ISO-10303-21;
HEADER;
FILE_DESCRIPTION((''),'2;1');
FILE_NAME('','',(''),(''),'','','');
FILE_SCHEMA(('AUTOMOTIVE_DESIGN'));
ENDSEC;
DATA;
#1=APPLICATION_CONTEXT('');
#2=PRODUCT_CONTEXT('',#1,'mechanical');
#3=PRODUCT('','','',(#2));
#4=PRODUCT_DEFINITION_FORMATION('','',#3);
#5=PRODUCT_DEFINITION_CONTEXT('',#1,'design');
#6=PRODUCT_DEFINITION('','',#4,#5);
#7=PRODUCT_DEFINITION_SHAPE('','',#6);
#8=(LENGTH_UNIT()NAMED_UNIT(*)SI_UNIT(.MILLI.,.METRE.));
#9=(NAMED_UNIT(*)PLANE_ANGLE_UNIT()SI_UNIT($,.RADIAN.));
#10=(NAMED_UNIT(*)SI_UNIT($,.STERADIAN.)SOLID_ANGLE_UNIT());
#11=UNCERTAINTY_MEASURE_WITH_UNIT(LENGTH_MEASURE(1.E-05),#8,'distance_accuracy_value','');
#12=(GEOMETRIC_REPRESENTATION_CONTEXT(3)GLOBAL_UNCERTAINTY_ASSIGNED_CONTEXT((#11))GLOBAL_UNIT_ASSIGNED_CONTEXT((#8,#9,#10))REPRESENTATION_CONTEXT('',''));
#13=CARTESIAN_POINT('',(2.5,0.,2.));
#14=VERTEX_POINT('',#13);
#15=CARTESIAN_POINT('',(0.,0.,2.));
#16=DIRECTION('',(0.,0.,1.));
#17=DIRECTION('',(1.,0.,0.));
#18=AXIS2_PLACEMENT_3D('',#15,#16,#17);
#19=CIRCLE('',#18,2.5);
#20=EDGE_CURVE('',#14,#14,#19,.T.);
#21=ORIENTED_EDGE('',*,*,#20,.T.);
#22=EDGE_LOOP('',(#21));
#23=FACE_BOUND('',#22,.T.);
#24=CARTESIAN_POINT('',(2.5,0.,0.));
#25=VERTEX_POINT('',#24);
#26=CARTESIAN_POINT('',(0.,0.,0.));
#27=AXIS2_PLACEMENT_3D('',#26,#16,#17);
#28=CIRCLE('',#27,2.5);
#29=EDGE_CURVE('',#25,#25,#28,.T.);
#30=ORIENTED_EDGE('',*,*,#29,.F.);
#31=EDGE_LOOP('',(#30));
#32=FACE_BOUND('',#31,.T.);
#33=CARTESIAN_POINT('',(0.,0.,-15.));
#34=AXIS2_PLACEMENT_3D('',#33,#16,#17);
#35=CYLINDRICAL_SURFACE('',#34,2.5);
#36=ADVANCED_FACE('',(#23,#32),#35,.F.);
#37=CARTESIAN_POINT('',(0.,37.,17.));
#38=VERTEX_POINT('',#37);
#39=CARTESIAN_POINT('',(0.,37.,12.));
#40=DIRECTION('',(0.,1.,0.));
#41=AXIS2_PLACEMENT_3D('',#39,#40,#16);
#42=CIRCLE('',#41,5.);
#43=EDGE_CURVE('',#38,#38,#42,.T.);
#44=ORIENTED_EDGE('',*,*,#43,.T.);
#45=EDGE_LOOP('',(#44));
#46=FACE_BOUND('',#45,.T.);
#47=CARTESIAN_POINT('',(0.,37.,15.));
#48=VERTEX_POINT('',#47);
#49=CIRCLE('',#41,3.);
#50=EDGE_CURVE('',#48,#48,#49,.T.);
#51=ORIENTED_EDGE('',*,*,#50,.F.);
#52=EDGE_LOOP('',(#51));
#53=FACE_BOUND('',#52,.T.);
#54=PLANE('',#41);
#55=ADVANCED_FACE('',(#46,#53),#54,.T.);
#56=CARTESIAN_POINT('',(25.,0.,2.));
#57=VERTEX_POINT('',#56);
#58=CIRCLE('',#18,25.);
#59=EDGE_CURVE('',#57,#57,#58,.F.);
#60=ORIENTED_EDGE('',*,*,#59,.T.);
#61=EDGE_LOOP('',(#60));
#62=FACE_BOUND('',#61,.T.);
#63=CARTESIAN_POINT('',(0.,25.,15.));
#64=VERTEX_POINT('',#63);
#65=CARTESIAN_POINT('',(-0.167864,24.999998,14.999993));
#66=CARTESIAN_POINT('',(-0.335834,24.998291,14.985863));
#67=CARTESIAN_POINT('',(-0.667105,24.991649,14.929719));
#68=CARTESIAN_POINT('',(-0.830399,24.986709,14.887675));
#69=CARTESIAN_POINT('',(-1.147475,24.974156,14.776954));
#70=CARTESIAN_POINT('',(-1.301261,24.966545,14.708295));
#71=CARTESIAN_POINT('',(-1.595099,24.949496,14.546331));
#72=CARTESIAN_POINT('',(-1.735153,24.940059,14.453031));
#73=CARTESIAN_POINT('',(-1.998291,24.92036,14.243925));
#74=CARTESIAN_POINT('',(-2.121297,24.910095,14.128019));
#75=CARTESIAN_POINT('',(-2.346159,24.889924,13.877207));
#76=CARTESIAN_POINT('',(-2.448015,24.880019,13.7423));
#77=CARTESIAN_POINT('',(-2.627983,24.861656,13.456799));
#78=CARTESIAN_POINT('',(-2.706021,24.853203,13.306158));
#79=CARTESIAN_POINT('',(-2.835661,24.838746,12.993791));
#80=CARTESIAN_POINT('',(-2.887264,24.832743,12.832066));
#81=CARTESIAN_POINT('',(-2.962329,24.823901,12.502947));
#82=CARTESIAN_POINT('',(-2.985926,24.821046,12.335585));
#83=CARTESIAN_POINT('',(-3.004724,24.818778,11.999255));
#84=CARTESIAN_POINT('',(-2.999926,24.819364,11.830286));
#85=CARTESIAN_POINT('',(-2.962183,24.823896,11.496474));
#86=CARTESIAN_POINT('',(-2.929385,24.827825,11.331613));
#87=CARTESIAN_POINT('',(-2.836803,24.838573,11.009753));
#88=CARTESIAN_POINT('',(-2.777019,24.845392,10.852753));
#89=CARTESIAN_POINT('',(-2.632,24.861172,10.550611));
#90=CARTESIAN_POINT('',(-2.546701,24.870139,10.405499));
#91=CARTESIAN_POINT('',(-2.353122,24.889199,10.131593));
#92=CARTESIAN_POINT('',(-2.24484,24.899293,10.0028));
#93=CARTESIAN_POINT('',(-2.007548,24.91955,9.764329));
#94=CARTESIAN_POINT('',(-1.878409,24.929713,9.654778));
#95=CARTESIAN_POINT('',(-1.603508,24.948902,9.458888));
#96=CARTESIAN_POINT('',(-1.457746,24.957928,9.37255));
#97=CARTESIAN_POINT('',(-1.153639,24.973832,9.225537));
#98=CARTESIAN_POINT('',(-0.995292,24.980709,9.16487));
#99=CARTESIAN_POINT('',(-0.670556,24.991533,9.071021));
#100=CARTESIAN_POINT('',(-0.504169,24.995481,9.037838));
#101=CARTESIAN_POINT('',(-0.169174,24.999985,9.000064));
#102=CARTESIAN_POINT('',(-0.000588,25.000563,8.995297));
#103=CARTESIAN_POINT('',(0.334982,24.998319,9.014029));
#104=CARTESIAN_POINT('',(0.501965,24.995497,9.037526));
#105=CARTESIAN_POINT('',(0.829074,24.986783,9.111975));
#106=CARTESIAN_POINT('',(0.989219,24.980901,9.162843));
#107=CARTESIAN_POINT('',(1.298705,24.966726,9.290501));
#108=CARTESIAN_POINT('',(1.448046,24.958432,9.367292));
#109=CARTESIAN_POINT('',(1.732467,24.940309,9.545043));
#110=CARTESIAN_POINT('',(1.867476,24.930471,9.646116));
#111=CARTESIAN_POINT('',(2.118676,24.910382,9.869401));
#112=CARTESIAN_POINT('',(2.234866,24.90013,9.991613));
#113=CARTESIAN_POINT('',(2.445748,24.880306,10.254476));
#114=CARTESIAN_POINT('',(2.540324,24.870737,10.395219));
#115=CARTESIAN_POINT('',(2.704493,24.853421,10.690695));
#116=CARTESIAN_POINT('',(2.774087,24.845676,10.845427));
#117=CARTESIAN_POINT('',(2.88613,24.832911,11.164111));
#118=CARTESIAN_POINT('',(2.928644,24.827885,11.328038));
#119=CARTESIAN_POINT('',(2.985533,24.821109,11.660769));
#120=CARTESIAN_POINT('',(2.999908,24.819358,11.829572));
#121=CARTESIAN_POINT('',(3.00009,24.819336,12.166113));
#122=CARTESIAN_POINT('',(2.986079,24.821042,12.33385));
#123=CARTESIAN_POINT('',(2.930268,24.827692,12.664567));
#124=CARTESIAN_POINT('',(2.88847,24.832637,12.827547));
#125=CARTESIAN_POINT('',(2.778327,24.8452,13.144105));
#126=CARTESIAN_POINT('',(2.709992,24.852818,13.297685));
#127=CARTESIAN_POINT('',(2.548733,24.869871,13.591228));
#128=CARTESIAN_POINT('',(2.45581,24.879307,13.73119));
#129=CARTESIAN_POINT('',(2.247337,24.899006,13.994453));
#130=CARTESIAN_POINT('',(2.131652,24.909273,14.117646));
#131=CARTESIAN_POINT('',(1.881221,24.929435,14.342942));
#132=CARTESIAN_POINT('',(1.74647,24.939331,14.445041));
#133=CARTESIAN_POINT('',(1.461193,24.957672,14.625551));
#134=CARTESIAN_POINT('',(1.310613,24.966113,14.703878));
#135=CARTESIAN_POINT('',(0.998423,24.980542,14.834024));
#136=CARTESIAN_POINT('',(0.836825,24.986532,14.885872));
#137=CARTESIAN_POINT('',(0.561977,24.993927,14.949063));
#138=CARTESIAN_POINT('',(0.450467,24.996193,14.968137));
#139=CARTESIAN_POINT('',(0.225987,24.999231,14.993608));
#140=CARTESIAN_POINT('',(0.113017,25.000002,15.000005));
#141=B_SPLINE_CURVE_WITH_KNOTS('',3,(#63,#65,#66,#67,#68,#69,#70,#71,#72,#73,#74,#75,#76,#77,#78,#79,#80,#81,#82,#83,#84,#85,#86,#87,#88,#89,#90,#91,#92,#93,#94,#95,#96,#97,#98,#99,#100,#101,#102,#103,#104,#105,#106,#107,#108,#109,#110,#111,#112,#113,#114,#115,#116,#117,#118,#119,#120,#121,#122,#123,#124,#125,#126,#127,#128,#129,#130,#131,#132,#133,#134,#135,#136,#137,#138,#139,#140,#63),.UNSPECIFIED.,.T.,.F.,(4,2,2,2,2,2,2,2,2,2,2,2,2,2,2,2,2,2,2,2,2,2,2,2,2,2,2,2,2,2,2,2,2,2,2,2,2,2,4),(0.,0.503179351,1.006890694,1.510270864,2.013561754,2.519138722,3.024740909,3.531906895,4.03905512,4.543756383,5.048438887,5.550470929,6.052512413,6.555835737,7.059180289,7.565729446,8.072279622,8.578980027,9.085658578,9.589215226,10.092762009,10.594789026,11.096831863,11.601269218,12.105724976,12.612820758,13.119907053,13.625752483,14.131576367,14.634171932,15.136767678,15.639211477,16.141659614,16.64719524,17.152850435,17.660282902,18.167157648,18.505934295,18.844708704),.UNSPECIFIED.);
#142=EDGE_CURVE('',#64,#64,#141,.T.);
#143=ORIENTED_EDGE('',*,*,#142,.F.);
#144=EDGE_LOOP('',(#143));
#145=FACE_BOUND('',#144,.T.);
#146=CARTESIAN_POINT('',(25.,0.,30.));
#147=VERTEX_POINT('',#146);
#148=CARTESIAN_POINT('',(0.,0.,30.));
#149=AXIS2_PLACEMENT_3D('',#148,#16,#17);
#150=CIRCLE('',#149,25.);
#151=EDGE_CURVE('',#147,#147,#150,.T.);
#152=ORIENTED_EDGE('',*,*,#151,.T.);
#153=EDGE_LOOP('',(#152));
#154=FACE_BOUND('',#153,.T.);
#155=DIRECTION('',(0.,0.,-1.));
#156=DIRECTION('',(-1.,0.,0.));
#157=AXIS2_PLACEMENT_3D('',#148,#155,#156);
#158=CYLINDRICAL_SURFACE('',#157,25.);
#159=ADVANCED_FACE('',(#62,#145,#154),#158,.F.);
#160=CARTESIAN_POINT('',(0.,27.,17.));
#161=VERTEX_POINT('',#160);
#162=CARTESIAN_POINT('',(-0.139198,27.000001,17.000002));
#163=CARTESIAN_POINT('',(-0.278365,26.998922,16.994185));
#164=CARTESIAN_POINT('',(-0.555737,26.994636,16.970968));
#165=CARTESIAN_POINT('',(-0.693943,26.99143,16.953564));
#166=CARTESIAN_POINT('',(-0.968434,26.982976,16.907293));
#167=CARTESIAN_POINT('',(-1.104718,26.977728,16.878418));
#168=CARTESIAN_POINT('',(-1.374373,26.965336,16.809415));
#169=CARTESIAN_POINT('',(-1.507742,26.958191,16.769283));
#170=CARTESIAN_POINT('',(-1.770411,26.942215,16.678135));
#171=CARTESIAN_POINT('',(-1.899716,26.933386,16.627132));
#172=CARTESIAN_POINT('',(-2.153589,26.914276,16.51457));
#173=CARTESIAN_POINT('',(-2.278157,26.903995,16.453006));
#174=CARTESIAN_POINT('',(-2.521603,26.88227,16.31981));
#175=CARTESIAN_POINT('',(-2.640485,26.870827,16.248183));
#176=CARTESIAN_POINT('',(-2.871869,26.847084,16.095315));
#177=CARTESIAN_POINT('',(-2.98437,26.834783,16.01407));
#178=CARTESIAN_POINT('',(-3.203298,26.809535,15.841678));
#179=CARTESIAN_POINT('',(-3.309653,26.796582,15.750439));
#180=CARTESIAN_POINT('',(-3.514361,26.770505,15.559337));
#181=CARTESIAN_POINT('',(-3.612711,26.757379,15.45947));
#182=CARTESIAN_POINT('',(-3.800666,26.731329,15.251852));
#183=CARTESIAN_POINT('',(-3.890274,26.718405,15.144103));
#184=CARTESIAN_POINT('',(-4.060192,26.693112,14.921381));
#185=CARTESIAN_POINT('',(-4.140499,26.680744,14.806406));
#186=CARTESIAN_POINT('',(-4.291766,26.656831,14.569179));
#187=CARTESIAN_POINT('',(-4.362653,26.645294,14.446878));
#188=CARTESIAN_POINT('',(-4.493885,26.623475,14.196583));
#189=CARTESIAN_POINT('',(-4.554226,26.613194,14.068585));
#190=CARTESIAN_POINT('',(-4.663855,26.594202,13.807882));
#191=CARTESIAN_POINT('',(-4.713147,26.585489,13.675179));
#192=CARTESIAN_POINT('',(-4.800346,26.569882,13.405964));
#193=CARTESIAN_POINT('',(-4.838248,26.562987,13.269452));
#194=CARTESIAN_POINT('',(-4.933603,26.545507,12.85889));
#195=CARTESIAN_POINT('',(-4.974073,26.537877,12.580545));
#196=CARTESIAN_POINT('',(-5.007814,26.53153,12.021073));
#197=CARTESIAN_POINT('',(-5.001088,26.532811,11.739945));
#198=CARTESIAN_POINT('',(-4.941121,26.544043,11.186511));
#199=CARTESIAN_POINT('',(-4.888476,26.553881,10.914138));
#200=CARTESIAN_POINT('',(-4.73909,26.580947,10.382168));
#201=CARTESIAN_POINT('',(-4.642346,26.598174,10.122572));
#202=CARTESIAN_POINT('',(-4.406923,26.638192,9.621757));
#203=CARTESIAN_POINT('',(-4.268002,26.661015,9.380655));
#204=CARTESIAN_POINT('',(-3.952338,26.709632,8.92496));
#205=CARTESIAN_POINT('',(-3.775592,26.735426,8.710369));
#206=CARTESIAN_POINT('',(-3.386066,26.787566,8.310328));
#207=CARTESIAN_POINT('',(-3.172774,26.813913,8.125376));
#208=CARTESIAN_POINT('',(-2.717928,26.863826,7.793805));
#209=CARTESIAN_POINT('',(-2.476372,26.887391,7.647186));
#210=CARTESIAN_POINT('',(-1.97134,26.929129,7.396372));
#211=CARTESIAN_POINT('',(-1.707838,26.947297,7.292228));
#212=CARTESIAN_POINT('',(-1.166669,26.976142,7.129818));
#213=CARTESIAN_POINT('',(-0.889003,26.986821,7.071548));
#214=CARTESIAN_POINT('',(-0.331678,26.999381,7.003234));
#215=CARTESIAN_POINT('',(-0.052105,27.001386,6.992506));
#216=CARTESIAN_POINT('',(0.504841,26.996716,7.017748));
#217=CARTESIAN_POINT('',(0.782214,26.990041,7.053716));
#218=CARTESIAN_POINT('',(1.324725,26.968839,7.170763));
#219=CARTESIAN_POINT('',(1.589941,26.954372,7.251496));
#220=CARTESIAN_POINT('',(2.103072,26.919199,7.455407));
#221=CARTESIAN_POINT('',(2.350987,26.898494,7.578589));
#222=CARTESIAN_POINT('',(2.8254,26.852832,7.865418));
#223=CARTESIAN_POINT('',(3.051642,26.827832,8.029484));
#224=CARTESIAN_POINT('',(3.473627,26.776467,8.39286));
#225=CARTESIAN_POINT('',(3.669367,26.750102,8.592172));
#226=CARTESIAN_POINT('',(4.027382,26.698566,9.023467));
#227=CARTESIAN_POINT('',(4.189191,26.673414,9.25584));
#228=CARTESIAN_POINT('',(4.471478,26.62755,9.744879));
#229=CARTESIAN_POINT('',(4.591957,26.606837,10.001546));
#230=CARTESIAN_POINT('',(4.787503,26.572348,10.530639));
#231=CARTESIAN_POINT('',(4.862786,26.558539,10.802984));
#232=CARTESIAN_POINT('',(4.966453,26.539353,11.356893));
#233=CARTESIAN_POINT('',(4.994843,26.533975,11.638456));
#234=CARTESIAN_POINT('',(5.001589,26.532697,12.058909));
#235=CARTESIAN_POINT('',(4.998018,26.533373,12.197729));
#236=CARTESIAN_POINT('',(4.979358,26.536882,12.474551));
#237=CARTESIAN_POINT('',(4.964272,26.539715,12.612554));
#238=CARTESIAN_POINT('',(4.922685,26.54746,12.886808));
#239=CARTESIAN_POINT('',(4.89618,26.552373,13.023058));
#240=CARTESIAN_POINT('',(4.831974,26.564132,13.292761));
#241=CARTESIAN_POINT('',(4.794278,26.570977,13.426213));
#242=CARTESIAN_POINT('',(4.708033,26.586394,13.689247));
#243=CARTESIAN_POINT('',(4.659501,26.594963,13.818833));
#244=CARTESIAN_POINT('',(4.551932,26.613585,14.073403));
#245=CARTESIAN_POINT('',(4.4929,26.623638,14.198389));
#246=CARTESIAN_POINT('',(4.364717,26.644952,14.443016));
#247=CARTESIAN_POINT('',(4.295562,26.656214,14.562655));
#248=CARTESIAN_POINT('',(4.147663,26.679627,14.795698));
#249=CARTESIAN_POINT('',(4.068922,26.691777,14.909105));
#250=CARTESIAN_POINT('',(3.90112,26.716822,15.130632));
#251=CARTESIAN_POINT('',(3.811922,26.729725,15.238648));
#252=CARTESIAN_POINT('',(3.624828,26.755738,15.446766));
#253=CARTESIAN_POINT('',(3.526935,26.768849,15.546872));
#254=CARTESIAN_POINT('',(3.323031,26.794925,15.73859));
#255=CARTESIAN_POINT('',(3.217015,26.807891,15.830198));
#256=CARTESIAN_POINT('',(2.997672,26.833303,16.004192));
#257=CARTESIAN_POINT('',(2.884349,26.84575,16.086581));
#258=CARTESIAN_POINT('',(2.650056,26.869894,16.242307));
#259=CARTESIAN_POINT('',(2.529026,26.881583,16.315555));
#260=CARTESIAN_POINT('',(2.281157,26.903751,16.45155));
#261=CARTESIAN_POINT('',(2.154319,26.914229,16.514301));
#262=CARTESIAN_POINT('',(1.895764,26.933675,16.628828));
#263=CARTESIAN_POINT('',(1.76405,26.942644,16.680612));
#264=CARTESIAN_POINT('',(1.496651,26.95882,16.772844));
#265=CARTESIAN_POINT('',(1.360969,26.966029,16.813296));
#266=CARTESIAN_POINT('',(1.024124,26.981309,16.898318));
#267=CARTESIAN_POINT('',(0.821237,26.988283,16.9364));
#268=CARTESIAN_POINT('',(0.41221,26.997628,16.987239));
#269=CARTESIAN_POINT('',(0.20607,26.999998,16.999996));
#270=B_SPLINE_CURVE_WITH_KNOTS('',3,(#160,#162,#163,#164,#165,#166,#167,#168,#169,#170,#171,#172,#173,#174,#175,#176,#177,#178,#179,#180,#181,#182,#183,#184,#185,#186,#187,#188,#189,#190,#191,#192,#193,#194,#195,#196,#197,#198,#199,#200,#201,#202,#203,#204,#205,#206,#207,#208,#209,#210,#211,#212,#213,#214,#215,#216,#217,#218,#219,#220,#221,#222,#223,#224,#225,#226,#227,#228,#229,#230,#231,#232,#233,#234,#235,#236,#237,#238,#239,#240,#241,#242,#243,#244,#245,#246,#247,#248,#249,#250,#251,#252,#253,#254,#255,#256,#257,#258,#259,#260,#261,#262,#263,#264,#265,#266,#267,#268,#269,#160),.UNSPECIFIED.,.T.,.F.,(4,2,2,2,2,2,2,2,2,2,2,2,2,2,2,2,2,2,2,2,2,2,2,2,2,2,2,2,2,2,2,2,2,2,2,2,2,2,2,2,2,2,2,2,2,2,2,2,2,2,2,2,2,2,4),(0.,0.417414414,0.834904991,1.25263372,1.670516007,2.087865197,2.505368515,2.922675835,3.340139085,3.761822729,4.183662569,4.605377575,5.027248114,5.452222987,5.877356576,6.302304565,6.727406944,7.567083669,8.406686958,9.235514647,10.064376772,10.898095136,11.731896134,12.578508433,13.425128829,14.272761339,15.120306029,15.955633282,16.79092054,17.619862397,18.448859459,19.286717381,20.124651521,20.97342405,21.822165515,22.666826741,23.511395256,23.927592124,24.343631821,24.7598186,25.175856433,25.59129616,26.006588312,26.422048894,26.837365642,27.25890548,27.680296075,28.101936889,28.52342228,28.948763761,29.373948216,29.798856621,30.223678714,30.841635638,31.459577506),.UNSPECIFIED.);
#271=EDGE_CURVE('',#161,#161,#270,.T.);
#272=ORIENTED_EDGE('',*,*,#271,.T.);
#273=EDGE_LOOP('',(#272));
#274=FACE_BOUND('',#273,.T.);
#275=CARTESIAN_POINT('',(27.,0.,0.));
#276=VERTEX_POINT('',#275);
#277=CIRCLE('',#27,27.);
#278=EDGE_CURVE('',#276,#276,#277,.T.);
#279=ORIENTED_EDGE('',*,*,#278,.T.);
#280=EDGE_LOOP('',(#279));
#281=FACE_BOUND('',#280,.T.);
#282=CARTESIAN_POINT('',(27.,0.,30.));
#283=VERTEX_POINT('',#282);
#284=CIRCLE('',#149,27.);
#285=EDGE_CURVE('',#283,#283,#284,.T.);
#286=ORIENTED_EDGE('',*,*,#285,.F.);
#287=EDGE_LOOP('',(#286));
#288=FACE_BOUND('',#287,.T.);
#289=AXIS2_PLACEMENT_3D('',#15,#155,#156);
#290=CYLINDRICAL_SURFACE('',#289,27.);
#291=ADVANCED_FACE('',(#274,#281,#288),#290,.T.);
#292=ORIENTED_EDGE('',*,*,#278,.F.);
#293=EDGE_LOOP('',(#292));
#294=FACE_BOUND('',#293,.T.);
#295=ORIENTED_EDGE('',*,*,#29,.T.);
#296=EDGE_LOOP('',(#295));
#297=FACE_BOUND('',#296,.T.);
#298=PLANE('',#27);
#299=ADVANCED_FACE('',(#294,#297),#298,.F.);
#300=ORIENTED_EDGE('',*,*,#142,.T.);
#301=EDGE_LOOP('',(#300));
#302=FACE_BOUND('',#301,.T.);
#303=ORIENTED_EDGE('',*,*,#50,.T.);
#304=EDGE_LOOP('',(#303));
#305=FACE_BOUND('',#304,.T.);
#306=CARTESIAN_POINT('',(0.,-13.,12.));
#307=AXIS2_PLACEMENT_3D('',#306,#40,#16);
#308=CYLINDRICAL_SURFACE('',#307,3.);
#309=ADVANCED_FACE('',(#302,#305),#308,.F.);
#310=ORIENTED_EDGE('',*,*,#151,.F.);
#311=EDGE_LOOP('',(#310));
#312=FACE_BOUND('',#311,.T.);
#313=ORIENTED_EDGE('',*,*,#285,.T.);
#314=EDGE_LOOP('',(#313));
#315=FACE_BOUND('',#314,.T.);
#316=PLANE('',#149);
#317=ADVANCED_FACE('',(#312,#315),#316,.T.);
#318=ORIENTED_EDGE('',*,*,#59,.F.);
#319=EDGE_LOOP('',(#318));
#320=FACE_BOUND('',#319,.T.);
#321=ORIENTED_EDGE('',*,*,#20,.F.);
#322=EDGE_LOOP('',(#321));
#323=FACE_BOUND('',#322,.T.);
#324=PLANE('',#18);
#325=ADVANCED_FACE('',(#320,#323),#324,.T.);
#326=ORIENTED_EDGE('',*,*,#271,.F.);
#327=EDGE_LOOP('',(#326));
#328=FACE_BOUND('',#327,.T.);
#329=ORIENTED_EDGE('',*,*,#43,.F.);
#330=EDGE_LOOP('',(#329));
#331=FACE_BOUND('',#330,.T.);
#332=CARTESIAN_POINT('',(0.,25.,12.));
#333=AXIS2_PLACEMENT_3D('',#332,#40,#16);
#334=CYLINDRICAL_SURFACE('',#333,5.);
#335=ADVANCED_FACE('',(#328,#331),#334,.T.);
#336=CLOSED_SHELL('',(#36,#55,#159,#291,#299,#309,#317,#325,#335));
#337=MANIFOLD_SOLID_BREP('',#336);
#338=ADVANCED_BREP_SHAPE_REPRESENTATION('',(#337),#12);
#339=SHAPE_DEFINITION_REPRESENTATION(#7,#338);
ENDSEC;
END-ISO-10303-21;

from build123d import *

# Parameters (mm, degrees)
SKETCH_1_R           = 27
EXTRUDE_1_DEPTH      = 2
SKETCH_2_R           = 27
SKETCH_2_R_2         = 25
EXTRUDE_2_DEPTH      = 30
SKETCH_3_R           = 2.5
CUT_EXTRUDE_1_DEPTH  = 15
EXTRUDE_3_DEPTH      = 10
EXTRUDE_3_DEPTH_BACK = 2
SKETCH_4_R           = 5
SKETCH_5_R           = 3
CUT_EXTRUDE_2_DEPTH  = 50


with BuildPart() as part:
    # 草图1 → 凸台-拉伸1 (new body)
    with BuildSketch(Plane.XY):
        Circle(SKETCH_1_R)
    extrude(amount=EXTRUDE_1_DEPTH)

    # 草图2 → 凸台-拉伸2 (add)
    with BuildSketch(Plane.XY):
        Circle(SKETCH_2_R)
        Circle(SKETCH_2_R_2, mode=Mode.SUBTRACT)
    extrude(amount=EXTRUDE_2_DEPTH)

    # 草图3 → 切除-拉伸1 (cut, symmetric)
    with BuildSketch(Plane.XY):
        Circle(SKETCH_3_R)
    extrude(amount=CUT_EXTRUDE_1_DEPTH, both=True, mode=Mode.SUBTRACT)

    # 草图4 → 凸台-拉伸3 (add, two sides: drawn at the far end of the back side and taken through both)
    with BuildSketch(Plane(origin=(0, 27, 0), x_dir=(1, 0, 0), z_dir=(0, 1, 0)).offset(-EXTRUDE_3_DEPTH_BACK)):
        with Locations(Location((0, -12, 0), (0, 0, 270))):
            Circle(SKETCH_4_R)
    extrude(amount=EXTRUDE_3_DEPTH + EXTRUDE_3_DEPTH_BACK)

    # 草图5 → 切除-拉伸2 (cut)
    with BuildSketch(Plane(origin=(0, 37, 0), x_dir=(1, 0, 0), z_dir=(0, 1, 0))):
        with Locations(Location((0, -12, 0), (0, 0, 270))):
            Circle(SKETCH_5_R)
    extrude(amount=-CUT_EXTRUDE_2_DEPTH, mode=Mode.SUBTRACT)


solid = part.part
